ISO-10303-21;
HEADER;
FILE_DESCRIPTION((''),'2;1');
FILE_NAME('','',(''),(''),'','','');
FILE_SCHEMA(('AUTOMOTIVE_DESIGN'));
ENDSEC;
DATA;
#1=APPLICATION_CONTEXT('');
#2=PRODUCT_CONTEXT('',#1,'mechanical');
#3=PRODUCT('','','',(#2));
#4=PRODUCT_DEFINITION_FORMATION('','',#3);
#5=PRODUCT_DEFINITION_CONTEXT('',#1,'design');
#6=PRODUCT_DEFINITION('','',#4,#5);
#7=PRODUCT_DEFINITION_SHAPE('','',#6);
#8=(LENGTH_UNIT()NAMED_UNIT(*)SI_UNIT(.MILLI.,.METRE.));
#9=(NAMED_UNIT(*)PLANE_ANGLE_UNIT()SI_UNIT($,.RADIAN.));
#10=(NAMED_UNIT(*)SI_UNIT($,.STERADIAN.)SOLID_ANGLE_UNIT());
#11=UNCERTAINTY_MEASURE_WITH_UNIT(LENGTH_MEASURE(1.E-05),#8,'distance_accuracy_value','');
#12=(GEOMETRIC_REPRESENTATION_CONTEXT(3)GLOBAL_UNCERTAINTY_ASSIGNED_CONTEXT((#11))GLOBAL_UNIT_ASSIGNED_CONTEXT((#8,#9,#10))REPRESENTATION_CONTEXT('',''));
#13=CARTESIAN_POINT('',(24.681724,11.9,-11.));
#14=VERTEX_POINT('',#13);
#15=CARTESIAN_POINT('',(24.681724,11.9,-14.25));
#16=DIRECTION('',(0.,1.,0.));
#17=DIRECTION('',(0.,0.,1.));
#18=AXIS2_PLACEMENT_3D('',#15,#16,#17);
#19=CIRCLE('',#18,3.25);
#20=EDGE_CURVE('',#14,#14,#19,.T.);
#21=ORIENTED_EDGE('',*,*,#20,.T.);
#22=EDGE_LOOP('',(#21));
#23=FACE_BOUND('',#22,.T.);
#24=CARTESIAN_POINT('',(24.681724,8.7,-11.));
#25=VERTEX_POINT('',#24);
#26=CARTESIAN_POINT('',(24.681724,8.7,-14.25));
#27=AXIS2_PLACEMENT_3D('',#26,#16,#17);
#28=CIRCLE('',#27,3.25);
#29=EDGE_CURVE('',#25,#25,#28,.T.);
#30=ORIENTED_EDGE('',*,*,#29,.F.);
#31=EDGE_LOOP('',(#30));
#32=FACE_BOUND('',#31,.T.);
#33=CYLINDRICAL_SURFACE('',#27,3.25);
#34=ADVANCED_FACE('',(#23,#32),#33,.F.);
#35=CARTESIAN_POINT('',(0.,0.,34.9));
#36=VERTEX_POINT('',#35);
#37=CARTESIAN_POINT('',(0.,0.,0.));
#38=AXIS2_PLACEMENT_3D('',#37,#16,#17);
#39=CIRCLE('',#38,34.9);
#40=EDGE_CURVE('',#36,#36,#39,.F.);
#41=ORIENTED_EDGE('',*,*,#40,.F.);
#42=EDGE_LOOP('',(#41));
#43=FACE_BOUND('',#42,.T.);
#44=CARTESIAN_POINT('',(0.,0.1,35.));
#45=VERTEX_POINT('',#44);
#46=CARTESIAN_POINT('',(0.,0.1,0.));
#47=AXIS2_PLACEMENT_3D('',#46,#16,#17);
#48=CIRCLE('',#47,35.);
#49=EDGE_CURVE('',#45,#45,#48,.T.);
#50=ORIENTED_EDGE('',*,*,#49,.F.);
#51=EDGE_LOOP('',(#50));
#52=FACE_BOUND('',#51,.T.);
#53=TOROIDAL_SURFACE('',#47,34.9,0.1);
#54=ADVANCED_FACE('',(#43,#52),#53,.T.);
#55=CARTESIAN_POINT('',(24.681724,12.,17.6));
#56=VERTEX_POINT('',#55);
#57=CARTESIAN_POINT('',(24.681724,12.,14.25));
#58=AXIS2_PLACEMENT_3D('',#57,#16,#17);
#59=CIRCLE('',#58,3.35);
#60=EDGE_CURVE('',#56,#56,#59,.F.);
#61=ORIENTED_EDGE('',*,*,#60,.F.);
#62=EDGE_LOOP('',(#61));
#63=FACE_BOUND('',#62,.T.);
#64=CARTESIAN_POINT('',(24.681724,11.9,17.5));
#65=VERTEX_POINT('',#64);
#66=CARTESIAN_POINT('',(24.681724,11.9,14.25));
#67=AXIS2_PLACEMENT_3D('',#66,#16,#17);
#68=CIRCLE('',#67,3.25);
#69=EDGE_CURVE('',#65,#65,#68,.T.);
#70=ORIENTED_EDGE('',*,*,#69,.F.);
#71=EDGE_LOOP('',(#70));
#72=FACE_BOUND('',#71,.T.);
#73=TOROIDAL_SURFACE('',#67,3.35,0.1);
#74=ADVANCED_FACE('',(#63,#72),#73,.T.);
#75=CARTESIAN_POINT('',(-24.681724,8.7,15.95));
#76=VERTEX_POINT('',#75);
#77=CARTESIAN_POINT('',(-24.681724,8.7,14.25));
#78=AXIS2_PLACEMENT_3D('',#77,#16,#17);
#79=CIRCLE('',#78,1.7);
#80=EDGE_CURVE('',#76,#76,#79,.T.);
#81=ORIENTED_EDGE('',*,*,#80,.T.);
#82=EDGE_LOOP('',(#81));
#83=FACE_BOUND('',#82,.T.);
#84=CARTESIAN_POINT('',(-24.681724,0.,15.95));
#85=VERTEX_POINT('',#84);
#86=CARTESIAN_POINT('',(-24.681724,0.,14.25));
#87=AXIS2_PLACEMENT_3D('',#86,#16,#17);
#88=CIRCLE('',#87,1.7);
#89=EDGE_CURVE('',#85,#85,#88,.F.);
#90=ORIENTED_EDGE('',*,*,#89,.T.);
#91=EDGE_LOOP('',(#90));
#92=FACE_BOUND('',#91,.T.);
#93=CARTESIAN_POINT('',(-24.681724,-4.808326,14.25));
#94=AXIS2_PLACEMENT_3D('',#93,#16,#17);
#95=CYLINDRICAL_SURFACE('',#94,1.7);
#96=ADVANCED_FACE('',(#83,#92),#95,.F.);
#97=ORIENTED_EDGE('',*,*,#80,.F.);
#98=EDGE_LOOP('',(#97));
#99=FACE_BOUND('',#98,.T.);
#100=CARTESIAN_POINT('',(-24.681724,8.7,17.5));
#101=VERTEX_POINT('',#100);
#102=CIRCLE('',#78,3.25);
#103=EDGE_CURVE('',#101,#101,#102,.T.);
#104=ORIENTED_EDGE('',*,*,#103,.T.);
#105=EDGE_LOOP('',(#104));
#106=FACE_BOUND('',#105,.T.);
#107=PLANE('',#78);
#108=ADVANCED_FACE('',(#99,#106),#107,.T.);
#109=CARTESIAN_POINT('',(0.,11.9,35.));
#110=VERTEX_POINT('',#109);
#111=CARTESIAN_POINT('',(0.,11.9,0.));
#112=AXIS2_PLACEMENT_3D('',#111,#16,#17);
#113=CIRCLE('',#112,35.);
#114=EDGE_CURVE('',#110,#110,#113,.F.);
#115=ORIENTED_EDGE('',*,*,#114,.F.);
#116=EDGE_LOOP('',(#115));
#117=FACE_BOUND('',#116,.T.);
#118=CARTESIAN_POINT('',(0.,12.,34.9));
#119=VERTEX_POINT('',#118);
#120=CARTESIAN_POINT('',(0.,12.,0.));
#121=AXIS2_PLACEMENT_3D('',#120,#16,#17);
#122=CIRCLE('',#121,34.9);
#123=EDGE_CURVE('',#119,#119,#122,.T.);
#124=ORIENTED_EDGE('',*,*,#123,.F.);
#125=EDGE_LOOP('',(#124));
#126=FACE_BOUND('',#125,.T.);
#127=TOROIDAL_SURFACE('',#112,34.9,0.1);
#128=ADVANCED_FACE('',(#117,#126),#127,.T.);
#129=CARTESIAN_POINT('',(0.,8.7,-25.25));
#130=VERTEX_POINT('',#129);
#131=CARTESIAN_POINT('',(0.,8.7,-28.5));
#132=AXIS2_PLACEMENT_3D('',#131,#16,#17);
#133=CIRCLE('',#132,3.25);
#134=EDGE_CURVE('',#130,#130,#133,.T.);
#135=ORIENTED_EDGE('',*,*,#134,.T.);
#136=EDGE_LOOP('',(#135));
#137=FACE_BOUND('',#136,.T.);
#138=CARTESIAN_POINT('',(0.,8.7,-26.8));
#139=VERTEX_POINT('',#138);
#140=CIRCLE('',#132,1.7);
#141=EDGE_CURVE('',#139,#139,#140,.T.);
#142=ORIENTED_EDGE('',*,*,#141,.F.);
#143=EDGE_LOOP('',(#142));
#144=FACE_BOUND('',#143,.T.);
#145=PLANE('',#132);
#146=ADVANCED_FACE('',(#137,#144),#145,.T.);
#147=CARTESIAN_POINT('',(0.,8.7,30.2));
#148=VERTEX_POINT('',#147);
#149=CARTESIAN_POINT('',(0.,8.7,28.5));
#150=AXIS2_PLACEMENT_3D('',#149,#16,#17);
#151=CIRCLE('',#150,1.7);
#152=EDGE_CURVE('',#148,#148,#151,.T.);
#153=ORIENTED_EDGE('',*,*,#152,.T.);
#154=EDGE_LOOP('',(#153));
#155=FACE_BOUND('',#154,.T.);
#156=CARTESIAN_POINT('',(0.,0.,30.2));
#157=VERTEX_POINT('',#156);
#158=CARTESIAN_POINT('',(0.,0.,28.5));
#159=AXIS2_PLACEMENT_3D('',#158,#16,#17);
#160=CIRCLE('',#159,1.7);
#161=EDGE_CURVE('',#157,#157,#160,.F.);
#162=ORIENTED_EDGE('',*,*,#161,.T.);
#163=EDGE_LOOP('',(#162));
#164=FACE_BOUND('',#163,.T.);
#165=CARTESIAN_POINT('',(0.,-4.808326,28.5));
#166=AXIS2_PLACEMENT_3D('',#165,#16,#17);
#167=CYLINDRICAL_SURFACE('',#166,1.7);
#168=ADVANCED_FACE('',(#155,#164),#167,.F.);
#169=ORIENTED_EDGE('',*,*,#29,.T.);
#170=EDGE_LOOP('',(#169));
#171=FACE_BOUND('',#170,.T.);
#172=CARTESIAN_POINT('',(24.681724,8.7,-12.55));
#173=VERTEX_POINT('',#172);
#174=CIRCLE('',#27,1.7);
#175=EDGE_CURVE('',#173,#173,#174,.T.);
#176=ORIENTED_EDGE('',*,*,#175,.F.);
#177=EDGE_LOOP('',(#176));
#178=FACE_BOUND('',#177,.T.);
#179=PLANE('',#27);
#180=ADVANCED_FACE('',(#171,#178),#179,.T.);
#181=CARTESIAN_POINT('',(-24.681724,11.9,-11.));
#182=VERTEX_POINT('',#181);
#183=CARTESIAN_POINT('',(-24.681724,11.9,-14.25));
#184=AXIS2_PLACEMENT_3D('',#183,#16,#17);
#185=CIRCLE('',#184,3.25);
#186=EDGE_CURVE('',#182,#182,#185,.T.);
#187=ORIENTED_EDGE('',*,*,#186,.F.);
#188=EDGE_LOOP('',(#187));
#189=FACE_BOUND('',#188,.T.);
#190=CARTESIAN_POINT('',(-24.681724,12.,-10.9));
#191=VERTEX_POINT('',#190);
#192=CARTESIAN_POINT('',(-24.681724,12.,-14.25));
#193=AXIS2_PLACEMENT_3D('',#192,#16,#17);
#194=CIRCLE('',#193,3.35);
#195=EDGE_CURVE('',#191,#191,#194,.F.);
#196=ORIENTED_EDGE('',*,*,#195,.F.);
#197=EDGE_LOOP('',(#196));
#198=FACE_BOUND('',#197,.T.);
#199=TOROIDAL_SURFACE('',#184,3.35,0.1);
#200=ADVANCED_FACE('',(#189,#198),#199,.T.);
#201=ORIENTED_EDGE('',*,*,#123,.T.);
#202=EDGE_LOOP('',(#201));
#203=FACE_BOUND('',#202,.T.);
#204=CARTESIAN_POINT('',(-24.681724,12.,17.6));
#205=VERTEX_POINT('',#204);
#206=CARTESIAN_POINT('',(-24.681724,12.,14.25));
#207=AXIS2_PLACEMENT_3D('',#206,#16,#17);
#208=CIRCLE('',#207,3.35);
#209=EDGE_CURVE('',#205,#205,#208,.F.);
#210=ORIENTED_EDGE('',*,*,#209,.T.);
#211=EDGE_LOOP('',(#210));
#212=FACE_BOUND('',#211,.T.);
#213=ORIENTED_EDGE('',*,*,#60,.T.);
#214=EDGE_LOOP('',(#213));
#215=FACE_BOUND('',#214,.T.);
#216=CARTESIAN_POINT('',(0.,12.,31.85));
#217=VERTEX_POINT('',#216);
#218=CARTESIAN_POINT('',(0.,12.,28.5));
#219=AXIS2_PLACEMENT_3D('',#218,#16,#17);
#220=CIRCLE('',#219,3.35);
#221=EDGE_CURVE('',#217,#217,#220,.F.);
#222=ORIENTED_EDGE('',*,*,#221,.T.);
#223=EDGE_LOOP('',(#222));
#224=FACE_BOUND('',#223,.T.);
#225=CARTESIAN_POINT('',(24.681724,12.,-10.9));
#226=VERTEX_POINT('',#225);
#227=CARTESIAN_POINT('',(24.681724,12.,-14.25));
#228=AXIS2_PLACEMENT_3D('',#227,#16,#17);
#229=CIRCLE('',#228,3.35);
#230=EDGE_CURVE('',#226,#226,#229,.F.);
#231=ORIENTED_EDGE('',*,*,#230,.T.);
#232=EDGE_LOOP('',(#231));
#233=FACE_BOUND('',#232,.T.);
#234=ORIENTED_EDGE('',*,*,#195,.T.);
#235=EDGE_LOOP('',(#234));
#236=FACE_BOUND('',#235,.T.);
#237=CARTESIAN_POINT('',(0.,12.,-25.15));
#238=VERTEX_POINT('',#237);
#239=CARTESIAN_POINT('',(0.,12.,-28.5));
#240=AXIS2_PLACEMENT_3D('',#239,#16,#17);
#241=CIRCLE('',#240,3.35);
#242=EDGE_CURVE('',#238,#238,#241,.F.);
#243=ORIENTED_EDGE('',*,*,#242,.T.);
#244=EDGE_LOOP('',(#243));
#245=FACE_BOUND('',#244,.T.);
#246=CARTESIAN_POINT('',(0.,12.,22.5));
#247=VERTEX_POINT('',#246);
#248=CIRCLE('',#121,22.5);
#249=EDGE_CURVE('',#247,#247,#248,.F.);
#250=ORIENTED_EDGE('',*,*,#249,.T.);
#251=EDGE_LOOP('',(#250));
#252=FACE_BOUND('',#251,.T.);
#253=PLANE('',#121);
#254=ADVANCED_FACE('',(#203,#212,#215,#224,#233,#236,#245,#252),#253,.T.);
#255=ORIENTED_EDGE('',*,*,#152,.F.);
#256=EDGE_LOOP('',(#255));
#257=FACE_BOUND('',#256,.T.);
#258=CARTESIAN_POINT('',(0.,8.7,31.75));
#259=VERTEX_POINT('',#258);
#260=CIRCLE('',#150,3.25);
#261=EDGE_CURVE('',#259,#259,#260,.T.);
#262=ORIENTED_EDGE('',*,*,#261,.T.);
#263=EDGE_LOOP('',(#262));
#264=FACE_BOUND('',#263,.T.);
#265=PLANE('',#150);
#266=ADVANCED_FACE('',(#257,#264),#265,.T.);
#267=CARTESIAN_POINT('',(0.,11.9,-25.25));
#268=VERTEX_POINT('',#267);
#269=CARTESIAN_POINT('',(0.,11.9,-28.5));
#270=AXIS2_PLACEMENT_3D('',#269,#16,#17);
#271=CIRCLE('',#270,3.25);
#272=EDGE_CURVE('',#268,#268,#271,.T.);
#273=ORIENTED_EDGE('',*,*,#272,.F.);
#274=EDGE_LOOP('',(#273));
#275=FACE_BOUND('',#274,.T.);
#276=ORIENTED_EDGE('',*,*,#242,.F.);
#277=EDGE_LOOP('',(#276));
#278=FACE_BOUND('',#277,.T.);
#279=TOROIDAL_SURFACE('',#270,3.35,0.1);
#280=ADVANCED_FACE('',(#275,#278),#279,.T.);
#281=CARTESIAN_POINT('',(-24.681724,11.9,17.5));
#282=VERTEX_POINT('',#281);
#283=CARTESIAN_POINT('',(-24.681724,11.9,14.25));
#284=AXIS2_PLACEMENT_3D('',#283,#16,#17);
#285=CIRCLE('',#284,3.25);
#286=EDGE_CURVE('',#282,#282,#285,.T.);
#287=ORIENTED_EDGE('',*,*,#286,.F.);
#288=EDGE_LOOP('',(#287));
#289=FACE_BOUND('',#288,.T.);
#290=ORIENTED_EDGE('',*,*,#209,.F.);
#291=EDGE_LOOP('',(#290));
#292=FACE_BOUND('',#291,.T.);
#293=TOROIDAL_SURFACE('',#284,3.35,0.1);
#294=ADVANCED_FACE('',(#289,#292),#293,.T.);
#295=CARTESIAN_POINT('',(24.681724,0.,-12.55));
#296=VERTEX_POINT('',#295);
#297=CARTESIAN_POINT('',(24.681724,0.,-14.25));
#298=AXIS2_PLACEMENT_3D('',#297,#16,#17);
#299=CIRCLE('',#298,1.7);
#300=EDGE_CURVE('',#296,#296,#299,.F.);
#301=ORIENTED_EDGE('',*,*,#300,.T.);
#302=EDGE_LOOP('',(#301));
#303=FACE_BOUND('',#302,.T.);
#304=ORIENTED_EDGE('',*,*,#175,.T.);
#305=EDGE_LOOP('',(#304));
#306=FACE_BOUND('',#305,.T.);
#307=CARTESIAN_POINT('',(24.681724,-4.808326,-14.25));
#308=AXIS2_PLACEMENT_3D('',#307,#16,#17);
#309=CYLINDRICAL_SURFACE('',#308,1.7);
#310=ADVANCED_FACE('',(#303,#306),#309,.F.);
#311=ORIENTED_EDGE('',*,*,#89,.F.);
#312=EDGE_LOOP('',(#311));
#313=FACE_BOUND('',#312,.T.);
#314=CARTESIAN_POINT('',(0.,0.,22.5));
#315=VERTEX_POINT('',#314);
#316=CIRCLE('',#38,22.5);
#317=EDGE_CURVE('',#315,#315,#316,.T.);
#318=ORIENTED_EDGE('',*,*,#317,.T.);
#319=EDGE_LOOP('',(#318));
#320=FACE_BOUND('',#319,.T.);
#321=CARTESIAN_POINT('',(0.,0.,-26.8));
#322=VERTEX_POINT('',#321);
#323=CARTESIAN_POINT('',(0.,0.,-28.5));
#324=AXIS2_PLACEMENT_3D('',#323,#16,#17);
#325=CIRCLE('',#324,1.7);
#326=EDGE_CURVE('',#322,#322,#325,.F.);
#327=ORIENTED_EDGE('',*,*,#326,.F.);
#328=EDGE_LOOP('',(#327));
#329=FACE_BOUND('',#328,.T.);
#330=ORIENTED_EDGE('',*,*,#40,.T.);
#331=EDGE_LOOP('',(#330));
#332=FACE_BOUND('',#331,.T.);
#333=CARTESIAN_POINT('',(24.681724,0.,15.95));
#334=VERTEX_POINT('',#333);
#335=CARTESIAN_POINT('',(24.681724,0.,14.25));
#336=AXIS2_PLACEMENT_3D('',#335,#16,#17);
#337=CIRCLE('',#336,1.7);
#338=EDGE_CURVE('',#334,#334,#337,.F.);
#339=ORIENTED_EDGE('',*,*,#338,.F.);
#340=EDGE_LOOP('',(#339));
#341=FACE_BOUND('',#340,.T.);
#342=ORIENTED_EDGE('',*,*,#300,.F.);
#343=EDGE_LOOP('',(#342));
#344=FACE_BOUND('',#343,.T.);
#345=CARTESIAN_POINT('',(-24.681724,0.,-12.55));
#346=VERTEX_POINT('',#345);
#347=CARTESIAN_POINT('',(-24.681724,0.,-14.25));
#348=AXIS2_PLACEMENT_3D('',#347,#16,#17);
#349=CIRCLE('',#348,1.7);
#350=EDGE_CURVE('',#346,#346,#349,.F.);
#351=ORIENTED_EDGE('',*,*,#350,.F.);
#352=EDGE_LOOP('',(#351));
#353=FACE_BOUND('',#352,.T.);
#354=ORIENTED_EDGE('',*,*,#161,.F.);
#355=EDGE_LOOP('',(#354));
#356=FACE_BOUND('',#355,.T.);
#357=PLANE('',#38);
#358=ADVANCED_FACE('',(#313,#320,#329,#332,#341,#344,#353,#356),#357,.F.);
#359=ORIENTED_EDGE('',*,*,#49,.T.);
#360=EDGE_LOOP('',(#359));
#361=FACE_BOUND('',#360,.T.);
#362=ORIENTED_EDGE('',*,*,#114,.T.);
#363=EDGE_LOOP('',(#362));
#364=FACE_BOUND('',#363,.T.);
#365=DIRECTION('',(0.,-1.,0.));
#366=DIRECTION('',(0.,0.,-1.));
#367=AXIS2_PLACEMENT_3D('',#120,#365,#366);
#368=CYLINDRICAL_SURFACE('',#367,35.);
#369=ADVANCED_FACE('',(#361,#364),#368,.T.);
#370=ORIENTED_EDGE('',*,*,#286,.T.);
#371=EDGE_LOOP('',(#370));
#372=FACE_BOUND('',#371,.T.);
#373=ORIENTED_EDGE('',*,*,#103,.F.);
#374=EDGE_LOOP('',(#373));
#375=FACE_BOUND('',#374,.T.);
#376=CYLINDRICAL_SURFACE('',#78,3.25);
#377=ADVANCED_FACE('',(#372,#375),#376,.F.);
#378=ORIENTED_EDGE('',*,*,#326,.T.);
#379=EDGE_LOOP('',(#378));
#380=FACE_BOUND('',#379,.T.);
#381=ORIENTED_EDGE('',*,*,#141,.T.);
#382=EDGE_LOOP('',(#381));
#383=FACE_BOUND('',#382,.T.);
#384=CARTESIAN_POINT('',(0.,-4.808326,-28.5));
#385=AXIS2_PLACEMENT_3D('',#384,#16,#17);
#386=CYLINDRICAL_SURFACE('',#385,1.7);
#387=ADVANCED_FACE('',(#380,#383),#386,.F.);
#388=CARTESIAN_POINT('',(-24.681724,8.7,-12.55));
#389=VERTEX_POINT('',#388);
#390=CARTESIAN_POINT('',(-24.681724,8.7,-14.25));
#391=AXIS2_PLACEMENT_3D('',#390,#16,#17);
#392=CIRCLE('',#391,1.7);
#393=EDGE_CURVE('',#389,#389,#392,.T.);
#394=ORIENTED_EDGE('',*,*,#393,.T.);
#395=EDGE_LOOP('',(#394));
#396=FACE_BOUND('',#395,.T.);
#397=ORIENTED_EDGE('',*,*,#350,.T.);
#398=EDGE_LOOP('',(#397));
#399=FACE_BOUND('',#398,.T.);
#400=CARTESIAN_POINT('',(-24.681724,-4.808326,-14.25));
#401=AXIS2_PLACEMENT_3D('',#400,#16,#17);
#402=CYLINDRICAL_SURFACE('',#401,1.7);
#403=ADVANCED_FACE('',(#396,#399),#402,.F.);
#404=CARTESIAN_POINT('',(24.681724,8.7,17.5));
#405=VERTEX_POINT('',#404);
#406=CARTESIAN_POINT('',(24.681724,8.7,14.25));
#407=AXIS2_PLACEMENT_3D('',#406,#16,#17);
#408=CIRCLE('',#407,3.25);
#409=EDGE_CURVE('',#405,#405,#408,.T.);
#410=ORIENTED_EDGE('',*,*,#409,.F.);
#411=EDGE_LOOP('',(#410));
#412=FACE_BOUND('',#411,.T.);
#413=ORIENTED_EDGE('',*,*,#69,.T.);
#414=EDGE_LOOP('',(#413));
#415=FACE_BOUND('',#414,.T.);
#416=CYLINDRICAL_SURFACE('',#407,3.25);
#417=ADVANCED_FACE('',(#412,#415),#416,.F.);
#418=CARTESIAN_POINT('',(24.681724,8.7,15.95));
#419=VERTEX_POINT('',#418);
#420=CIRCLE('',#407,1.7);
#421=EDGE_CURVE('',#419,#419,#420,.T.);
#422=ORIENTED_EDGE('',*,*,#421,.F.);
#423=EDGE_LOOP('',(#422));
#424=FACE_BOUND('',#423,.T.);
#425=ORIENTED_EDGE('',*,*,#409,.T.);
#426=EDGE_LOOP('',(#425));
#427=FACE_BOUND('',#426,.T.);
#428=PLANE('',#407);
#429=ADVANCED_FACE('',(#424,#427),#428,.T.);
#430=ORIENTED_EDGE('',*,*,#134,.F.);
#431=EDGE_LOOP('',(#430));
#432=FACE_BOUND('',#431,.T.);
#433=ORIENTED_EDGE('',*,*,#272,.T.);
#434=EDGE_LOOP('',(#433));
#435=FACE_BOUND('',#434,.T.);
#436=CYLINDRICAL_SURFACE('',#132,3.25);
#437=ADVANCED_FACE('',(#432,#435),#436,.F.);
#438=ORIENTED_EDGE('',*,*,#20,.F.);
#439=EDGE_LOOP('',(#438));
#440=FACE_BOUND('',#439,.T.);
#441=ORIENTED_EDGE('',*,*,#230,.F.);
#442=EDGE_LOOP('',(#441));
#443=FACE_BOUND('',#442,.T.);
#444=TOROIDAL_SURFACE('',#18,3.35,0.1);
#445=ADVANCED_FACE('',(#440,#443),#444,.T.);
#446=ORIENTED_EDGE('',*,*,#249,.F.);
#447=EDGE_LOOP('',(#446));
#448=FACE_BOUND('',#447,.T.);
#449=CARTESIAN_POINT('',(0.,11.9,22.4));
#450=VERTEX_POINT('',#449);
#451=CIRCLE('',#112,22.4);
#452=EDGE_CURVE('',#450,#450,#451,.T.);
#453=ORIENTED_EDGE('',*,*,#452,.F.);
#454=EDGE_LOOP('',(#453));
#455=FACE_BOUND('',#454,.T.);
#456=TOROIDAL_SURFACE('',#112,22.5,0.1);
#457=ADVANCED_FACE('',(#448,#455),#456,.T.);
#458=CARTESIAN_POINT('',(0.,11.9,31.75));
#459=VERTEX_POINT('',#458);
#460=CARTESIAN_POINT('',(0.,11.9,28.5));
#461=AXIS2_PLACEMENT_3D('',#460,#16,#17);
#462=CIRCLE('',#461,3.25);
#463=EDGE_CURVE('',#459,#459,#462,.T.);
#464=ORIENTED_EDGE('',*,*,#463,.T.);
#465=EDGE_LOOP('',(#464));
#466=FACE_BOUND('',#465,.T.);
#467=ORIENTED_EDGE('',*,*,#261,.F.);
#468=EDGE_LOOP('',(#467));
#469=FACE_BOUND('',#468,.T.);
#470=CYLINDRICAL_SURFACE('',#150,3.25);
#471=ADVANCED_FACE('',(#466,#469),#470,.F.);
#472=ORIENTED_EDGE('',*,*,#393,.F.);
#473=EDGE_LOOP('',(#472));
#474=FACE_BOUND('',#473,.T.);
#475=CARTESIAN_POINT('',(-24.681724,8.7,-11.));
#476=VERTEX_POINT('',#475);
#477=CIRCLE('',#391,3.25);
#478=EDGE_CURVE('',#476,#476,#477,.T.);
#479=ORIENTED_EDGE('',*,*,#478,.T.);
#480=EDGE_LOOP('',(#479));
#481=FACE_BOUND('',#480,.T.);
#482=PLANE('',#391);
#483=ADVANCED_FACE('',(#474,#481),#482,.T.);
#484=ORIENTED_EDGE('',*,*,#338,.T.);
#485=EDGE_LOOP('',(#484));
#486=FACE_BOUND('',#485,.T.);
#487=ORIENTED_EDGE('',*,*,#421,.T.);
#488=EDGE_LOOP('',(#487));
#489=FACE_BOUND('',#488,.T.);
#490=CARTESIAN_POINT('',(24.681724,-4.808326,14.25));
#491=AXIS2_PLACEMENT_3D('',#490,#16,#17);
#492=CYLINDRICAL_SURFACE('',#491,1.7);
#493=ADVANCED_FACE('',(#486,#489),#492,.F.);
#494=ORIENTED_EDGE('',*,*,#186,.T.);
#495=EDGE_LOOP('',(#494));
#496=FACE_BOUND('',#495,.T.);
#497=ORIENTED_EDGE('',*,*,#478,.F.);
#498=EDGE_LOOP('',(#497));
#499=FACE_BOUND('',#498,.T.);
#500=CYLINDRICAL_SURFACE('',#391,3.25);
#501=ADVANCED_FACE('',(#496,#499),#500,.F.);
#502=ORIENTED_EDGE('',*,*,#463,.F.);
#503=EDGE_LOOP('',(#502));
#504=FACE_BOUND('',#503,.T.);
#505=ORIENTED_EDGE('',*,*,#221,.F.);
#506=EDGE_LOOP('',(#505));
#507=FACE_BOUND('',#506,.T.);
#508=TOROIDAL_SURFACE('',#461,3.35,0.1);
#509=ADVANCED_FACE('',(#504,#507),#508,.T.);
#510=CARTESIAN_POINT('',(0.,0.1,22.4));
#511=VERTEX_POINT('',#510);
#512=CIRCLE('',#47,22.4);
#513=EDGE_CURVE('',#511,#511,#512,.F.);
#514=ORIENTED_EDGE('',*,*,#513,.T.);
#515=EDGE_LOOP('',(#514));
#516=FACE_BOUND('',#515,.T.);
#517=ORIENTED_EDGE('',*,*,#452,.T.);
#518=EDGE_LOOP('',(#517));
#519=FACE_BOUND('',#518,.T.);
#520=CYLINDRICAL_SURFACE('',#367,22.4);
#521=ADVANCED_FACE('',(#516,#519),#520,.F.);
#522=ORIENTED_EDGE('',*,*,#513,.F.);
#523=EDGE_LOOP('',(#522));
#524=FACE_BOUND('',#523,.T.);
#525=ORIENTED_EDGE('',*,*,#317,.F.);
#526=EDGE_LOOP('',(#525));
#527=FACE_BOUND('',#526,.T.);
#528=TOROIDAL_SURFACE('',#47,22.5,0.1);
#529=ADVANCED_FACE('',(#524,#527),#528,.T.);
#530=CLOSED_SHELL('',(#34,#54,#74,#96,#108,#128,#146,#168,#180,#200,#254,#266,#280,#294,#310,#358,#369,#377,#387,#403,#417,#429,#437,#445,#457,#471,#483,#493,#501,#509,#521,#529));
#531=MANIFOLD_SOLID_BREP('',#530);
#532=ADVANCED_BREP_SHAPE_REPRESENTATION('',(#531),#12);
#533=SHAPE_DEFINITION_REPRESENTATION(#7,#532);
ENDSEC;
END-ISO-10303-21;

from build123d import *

# Parameters (mm, degrees)
SKETCH1_R           = 35
SKETCH1_R_2         = 22.4
BOSS_EXTRUDE1_DEPTH = 12
SKETCH2_R           = 3.25
CUT_EXTRUDE1_DEPTH  = 3.3
SKETCH3_R           = 1.7
CUT_EXTRUDE2_DEPTH  = 12
FILLET1_R           = 0.1
FILLET2_R           = 0.1


with BuildPart() as part:
    # Sketch1 → Boss-Extrude1 (new body)
    with BuildSketch(Plane(origin=(0, 0, 0), x_dir=(1, 0, 0), z_dir=(0, 1, 0))):
        with Locations(Location((0, 0, 0), (0, 0, 270))):
            Circle(SKETCH1_R)
        with Locations(Location((0, 0, 0), (0, 0, 270))):
            Circle(SKETCH1_R_2, mode=Mode.SUBTRACT)
    extrude(amount=BOSS_EXTRUDE1_DEPTH)

    # Sketch2 → Cut-Extrude1 (cut)
    with BuildSketch(Plane(origin=(0, 12, 0), x_dir=(1, 0, 0), z_dir=(0, 1, 0))):
        with Locations(Location((0, 28.5, 0), (0, 0, 270))):
            Circle(SKETCH2_R)
        with Locations(Location((24.681724008, 14.25, 0), (0, 0, 270))):
            Circle(SKETCH2_R)
        with Locations(Location((24.681724008, -14.25, 0), (0, 0, 270))):
            Circle(SKETCH2_R)
        with Locations(Location((0, -28.5, 0), (0, 0, 270))):
            Circle(SKETCH2_R)
        with Locations(Location((-24.681724008, -14.25, 0), (0, 0, 270))):
            Circle(SKETCH2_R)
        with Locations(Location((-24.681724008, 14.25, 0), (0, 0, 270))):
            Circle(SKETCH2_R)
    extrude(amount=-CUT_EXTRUDE1_DEPTH, mode=Mode.SUBTRACT)

    # Sketch3 → Cut-Extrude2 (cut)
    with BuildSketch(Plane(origin=(0, 12, 0), x_dir=(1, 0, 0), z_dir=(0, 1, 0))):
        with Locations(Location((0, 28.5, 0), (0, 0, 270))):
            Circle(SKETCH3_R)
        with Locations(Location((24.681724008, 14.25, 0), (0, 0, 270))):
            Circle(SKETCH3_R)
        with Locations(Location((24.681724008, -14.25, 0), (0, 0, 270))):
            Circle(SKETCH3_R)
        with Locations(Location((0, -28.5, 0), (0, 0, 270))):
            Circle(SKETCH3_R)
        with Locations(Location((-24.681724008, -14.25, 0), (0, 0, 270))):
            Circle(SKETCH3_R)
        with Locations(Location((-24.681724008, 14.25, 0), (0, 0, 270))):
            Circle(SKETCH3_R)
    extrude(amount=-CUT_EXTRUDE2_DEPTH, mode=Mode.SUBTRACT)

    # Fillet1
    fillet1_edges = [part.edges().sort_by_distance(p)[0] for p in [
        (0, 0, -35),
        (0, 12, -35),
        (0, 0, -22.4),
        (0, 12, -22.4),
    ]]
    fillet(fillet1_edges, radius=FILLET1_R)

    # Fillet2
    fillet2_edges = [part.edges().sort_by_distance(p)[0] for p in [
        (0, 12, 25.25),
        (-24.681724008, 12, 11),
        (-24.681724008, 12, -17.5),
        (0, 12, -31.75),
        (24.681724008, 12, -17.5),
        (24.681724008, 12, 11),
    ]]
    fillet(fillet2_edges, radius=FILLET2_R)


solid = part.part
